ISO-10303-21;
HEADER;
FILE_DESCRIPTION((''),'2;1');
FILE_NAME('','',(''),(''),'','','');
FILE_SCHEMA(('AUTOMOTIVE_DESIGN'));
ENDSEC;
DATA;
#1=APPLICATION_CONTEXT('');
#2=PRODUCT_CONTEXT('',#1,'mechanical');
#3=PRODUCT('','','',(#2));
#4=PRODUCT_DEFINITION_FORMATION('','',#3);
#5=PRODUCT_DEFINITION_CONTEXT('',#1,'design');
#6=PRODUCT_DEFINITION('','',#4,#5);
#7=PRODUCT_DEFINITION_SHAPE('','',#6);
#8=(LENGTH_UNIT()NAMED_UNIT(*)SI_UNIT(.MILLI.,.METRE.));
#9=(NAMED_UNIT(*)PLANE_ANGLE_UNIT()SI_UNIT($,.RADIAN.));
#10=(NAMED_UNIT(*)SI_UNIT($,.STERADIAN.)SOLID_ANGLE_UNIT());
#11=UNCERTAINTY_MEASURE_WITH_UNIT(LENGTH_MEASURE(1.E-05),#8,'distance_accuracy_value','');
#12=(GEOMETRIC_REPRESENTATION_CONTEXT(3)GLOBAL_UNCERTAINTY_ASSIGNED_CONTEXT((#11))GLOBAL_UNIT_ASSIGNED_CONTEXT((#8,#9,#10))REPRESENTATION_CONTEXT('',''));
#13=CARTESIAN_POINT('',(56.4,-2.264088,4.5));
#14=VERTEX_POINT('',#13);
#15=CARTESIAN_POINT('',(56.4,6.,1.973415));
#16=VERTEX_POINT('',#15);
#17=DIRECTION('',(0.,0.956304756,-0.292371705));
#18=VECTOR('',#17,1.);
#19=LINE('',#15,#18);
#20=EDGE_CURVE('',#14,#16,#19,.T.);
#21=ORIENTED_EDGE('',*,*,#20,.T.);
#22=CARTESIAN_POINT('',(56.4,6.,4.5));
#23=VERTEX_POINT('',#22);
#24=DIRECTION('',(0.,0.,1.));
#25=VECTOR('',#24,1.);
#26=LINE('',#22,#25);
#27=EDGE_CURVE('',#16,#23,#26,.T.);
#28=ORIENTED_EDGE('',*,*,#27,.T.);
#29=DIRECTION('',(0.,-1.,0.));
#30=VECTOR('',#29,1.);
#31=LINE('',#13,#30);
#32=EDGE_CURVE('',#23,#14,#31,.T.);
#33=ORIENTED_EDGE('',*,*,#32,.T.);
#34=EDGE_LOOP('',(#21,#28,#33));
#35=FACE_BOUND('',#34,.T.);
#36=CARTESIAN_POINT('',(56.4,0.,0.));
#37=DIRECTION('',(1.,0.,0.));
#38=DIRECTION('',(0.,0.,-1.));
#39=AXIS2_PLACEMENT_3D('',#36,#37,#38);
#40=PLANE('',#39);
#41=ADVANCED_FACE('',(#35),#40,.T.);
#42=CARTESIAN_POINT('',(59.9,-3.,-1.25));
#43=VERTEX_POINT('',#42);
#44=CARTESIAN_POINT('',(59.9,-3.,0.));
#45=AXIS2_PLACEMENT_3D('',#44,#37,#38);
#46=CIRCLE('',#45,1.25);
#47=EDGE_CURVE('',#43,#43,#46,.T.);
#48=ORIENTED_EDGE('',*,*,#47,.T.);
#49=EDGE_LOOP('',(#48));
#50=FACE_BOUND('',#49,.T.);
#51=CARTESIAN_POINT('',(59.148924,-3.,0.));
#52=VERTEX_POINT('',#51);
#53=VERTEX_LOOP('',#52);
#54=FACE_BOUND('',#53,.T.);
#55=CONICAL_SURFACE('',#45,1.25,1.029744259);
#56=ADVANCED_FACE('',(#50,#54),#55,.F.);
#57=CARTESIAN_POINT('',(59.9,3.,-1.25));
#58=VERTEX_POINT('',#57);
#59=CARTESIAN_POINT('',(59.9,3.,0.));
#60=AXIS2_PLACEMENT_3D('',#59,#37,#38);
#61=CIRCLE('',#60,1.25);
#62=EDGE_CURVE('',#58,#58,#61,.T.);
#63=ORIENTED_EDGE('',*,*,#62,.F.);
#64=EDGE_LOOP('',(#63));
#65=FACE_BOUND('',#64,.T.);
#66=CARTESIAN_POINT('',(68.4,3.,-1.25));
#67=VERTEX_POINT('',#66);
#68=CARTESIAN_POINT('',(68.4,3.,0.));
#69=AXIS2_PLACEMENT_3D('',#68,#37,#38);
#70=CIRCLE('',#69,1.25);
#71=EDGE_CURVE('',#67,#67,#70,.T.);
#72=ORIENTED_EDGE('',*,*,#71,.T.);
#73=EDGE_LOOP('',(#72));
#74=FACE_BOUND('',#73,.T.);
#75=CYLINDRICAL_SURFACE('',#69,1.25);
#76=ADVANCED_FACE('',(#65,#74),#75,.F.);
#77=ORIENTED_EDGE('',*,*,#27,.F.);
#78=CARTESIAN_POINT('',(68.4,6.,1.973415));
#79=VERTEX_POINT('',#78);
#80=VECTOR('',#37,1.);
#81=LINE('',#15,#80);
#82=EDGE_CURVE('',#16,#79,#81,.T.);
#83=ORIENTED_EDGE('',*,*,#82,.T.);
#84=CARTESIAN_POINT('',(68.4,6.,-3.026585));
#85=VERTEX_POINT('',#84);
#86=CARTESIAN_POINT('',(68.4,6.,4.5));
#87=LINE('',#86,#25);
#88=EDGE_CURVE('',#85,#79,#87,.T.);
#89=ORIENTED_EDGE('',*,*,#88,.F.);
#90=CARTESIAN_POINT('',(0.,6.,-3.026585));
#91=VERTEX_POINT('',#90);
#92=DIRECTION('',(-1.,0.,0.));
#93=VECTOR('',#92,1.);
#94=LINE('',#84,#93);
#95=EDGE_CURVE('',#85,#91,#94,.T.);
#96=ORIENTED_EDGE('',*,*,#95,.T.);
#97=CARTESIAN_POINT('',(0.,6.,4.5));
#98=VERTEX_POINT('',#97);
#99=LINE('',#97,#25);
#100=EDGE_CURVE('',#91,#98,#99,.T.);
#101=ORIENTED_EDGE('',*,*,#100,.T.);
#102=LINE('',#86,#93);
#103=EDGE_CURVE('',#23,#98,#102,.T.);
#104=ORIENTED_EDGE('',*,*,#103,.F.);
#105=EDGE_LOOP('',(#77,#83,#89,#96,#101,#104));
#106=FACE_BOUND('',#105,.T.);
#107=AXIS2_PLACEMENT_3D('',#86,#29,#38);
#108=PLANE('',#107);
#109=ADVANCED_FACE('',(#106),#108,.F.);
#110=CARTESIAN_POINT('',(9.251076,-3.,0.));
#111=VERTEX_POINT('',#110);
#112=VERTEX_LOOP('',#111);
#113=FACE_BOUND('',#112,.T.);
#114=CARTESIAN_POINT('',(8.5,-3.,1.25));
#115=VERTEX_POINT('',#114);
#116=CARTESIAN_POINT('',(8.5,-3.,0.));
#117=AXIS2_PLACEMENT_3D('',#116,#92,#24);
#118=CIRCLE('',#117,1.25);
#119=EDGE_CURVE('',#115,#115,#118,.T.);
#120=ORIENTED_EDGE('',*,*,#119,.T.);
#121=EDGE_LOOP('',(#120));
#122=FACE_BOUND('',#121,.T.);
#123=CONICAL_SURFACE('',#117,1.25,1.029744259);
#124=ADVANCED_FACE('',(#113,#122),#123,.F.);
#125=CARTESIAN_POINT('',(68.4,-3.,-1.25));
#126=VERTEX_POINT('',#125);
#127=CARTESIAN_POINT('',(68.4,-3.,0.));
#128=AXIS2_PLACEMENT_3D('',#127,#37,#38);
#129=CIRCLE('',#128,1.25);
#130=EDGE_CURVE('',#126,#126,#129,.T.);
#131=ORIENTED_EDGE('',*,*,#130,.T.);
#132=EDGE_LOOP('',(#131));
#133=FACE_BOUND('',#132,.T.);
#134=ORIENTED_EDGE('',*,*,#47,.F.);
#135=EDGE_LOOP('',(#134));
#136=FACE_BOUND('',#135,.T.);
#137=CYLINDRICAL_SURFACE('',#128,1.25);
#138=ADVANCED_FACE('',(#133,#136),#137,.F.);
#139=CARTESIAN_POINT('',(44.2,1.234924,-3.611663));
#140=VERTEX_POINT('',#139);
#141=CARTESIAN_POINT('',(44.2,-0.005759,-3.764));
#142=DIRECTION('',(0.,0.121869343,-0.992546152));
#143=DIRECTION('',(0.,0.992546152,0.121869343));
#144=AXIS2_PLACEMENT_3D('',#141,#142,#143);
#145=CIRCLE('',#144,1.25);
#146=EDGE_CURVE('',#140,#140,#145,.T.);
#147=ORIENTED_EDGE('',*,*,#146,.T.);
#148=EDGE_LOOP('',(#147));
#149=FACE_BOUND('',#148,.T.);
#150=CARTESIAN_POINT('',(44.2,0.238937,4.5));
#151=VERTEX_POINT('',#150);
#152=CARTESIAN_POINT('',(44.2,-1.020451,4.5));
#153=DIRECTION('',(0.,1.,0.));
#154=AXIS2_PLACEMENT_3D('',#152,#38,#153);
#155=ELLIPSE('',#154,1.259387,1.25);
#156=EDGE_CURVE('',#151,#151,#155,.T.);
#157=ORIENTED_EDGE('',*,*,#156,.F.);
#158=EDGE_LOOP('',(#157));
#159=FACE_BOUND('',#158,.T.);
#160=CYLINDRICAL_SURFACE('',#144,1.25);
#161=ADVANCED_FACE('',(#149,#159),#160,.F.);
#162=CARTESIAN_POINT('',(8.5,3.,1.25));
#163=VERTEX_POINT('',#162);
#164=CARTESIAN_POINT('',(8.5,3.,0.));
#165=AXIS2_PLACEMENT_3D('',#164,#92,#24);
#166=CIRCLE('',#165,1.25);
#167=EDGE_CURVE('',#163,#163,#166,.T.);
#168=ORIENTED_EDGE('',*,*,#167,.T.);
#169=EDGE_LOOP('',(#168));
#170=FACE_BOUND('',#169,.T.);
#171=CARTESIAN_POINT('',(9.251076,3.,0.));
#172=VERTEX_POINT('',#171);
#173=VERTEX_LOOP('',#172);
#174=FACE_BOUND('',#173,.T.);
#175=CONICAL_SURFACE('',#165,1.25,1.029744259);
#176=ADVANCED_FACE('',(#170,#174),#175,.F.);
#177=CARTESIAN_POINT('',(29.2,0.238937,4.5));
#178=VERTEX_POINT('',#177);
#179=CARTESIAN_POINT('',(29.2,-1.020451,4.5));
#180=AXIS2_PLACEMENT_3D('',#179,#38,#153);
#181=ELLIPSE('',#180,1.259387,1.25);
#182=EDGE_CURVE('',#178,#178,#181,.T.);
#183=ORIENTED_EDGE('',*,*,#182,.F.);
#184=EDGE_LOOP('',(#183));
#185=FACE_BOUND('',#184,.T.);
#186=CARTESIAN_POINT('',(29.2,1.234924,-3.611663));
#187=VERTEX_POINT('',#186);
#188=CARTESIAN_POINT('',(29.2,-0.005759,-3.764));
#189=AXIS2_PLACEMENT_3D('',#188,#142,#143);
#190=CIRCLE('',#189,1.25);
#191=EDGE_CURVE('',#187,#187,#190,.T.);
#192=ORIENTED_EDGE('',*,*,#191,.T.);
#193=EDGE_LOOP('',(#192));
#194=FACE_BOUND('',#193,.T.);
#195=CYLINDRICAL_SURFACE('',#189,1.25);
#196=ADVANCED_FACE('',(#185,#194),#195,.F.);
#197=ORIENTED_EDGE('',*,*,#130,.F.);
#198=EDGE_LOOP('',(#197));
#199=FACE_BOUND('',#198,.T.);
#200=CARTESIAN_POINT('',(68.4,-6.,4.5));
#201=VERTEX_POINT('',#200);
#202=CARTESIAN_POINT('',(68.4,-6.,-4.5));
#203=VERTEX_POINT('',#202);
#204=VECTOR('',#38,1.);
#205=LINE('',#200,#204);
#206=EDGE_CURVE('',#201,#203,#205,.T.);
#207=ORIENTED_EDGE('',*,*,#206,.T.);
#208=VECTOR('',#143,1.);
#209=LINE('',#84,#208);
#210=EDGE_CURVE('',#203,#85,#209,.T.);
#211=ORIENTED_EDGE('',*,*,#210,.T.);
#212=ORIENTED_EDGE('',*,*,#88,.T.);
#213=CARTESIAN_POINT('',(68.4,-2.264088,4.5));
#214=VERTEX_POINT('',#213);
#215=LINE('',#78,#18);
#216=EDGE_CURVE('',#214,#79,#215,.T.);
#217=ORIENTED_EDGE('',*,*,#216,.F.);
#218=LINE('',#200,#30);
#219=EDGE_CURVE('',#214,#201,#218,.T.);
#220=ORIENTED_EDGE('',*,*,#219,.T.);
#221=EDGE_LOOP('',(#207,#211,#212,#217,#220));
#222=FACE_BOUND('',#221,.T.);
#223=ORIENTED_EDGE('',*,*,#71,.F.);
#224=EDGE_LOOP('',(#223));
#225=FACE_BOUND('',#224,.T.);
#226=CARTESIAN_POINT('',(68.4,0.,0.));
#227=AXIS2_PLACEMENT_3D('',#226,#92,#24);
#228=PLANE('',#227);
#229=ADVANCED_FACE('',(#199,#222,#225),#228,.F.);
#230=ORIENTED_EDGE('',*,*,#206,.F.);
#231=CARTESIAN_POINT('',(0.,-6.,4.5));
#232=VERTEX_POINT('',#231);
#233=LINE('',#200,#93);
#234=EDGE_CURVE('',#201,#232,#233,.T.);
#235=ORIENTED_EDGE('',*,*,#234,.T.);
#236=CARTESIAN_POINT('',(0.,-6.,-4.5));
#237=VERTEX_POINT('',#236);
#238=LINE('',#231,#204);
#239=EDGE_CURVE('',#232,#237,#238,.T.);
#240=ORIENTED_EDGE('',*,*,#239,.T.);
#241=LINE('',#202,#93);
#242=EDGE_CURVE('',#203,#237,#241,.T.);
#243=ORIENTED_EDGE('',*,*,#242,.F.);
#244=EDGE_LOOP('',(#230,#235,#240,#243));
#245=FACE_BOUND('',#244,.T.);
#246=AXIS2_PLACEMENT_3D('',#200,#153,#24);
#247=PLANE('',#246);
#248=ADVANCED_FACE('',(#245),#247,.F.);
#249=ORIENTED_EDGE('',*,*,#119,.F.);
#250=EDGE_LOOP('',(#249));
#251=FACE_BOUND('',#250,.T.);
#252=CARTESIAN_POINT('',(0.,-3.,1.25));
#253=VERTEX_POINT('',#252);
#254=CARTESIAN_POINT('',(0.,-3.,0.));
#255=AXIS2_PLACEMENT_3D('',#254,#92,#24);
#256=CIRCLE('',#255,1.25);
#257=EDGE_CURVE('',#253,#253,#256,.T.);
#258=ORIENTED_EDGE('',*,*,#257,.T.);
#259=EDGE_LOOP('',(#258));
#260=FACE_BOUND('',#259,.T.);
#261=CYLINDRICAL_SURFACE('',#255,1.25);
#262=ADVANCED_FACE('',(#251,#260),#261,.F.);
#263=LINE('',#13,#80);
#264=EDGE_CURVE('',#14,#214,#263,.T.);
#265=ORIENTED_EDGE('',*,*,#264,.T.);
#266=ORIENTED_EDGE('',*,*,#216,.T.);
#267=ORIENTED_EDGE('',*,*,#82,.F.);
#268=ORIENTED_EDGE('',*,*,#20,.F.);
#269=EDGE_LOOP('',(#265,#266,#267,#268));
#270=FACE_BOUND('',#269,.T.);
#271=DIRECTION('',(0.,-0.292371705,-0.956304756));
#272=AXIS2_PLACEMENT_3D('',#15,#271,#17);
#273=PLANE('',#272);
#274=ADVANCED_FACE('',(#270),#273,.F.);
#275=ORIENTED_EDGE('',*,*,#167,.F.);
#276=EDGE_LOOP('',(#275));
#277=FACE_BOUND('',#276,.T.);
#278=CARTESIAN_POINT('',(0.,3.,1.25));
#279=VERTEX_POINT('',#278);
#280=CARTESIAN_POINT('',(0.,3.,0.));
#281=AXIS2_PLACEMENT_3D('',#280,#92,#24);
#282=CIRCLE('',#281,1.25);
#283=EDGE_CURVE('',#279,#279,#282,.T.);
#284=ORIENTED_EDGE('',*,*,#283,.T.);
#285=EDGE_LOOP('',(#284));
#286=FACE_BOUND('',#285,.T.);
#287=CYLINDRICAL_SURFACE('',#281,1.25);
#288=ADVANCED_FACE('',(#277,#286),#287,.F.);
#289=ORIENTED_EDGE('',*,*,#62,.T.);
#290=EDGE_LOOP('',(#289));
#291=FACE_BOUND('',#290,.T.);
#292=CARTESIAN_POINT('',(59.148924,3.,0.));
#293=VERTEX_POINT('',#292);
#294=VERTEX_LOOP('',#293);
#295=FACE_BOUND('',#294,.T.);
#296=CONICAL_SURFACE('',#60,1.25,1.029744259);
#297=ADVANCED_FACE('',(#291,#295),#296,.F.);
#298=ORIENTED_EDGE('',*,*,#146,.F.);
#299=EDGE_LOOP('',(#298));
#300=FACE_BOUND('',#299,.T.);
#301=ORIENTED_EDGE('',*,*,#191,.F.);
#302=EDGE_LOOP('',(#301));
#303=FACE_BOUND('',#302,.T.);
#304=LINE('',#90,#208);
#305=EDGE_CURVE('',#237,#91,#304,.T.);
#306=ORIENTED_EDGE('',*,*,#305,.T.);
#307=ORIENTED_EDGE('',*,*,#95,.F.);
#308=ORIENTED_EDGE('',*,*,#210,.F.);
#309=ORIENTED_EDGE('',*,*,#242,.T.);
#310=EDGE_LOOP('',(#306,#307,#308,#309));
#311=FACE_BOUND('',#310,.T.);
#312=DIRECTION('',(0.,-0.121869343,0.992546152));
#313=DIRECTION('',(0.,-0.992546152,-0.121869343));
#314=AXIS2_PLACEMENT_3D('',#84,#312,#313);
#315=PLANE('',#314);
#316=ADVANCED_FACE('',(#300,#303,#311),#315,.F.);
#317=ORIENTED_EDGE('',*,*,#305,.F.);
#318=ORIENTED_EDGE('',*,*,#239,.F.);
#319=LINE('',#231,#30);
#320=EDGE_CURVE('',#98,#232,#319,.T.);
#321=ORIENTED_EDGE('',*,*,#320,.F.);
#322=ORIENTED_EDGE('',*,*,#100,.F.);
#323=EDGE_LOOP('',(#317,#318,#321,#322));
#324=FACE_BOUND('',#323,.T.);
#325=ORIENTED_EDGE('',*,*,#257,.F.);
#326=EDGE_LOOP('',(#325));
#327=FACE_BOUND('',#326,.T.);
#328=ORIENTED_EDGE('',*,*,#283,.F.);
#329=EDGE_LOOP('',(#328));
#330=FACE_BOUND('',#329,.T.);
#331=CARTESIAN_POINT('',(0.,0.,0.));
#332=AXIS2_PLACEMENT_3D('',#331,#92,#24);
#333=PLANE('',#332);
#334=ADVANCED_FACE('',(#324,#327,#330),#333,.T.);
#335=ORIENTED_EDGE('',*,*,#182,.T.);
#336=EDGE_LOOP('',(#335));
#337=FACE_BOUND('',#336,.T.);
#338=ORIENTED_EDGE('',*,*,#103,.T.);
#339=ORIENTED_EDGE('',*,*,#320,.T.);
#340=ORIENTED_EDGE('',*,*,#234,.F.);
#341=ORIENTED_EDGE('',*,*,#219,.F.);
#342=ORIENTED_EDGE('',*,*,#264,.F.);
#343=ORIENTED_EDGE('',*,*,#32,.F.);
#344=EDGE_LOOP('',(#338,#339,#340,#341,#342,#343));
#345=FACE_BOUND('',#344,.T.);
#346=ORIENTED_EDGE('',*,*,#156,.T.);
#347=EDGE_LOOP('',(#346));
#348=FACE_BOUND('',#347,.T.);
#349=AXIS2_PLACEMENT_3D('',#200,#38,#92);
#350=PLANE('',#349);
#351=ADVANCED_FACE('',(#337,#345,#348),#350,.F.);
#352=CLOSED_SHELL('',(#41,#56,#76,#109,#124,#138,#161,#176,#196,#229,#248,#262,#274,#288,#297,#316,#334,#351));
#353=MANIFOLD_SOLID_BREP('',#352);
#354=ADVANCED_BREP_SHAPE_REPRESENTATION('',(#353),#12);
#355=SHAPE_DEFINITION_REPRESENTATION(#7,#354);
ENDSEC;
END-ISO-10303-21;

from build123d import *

# Parameters (mm, degrees)
RESSALTO_EXTRUS_O1_DEPTH      = 68.4
CORTE_EXTRUS_O1_DEPTH         = 12
FURO_ROSCADO_DE_M3X0_51_D     = 2.5
FURO_ROSCADO_DE_M3X0_51_DEPTH = 8.5
FURO_ROSCADO_DE_M3X0_51_TIP   = 0.751075774
FURO_ROSCADO_DE_M3X0_52_D     = 2.5
FURO_ROSCADO_DE_M3X0_52_DEPTH = 8.5
FURO_ROSCADO_DE_M3X0_52_TIP   = 0.751075774
FURO_ROSCADO_DE_M3X0_53_D     = 2.5


with BuildPart() as part:
    # Esboço1 → Ressalto-extrusão1 (new body)
    with BuildSketch(Plane(origin=(0, 0, 0), x_dir=(0, 0, -1), z_dir=(1, 0, 0))):
        Polygon((-4.5, -6), (4.5, -6), (3.026585269, 6), (-4.5, 6), align=None)
    extrude(amount=RESSALTO_EXTRUS_O1_DEPTH)

    # Esboço2 → Corte-extrusão1 (cut)
    with BuildSketch(Plane(origin=(68.4, 0, 0), x_dir=(0, 0, -1), z_dir=(1, 0, 0))):
        Polygon((-1.973414731, 6), (-4.5, -2.264088043), (-4.5, 6), align=None)
    extrude(amount=-CORTE_EXTRUS_O1_DEPTH, mode=Mode.SUBTRACT)

    # Furo roscado de M3x0.51
    with Locations(Plane(origin=(68.4, 0, 0), x_dir=(0, 0, -1), z_dir=(1, 0, 0))):
        with Locations((0, -3), (0, 3)):
            Hole(FURO_ROSCADO_DE_M3X0_51_D / 2, depth=FURO_ROSCADO_DE_M3X0_51_DEPTH)
            with Locations((0, 0, -(FURO_ROSCADO_DE_M3X0_51_DEPTH + FURO_ROSCADO_DE_M3X0_51_TIP / 2))):  # 118° drill point
                Cone(0, FURO_ROSCADO_DE_M3X0_51_D / 2, FURO_ROSCADO_DE_M3X0_51_TIP, mode=Mode.SUBTRACT)

    # Furo roscado de M3x0.52
    with Locations(Plane.ZY):
        with Locations((0, 3), (0, -3)):
            Hole(FURO_ROSCADO_DE_M3X0_52_D / 2, depth=FURO_ROSCADO_DE_M3X0_52_DEPTH)
            with Locations((0, 0, -(FURO_ROSCADO_DE_M3X0_52_DEPTH + FURO_ROSCADO_DE_M3X0_52_TIP / 2))):  # 118° drill point
                Cone(0, FURO_ROSCADO_DE_M3X0_52_D / 2, FURO_ROSCADO_DE_M3X0_52_TIP, mode=Mode.SUBTRACT)

    # Furo roscado de M3x0.53 (through all)
    with Locations(Plane(origin=(0, 0.455211444, -3.707399697), x_dir=(-1, 0, 0), z_dir=(0, 0.121869343, -0.992546152))):
        with Locations((-29.2, -0.464432322), (-44.2, -0.464432322)):
            Hole(FURO_ROSCADO_DE_M3X0_53_D / 2)


solid = part.part
